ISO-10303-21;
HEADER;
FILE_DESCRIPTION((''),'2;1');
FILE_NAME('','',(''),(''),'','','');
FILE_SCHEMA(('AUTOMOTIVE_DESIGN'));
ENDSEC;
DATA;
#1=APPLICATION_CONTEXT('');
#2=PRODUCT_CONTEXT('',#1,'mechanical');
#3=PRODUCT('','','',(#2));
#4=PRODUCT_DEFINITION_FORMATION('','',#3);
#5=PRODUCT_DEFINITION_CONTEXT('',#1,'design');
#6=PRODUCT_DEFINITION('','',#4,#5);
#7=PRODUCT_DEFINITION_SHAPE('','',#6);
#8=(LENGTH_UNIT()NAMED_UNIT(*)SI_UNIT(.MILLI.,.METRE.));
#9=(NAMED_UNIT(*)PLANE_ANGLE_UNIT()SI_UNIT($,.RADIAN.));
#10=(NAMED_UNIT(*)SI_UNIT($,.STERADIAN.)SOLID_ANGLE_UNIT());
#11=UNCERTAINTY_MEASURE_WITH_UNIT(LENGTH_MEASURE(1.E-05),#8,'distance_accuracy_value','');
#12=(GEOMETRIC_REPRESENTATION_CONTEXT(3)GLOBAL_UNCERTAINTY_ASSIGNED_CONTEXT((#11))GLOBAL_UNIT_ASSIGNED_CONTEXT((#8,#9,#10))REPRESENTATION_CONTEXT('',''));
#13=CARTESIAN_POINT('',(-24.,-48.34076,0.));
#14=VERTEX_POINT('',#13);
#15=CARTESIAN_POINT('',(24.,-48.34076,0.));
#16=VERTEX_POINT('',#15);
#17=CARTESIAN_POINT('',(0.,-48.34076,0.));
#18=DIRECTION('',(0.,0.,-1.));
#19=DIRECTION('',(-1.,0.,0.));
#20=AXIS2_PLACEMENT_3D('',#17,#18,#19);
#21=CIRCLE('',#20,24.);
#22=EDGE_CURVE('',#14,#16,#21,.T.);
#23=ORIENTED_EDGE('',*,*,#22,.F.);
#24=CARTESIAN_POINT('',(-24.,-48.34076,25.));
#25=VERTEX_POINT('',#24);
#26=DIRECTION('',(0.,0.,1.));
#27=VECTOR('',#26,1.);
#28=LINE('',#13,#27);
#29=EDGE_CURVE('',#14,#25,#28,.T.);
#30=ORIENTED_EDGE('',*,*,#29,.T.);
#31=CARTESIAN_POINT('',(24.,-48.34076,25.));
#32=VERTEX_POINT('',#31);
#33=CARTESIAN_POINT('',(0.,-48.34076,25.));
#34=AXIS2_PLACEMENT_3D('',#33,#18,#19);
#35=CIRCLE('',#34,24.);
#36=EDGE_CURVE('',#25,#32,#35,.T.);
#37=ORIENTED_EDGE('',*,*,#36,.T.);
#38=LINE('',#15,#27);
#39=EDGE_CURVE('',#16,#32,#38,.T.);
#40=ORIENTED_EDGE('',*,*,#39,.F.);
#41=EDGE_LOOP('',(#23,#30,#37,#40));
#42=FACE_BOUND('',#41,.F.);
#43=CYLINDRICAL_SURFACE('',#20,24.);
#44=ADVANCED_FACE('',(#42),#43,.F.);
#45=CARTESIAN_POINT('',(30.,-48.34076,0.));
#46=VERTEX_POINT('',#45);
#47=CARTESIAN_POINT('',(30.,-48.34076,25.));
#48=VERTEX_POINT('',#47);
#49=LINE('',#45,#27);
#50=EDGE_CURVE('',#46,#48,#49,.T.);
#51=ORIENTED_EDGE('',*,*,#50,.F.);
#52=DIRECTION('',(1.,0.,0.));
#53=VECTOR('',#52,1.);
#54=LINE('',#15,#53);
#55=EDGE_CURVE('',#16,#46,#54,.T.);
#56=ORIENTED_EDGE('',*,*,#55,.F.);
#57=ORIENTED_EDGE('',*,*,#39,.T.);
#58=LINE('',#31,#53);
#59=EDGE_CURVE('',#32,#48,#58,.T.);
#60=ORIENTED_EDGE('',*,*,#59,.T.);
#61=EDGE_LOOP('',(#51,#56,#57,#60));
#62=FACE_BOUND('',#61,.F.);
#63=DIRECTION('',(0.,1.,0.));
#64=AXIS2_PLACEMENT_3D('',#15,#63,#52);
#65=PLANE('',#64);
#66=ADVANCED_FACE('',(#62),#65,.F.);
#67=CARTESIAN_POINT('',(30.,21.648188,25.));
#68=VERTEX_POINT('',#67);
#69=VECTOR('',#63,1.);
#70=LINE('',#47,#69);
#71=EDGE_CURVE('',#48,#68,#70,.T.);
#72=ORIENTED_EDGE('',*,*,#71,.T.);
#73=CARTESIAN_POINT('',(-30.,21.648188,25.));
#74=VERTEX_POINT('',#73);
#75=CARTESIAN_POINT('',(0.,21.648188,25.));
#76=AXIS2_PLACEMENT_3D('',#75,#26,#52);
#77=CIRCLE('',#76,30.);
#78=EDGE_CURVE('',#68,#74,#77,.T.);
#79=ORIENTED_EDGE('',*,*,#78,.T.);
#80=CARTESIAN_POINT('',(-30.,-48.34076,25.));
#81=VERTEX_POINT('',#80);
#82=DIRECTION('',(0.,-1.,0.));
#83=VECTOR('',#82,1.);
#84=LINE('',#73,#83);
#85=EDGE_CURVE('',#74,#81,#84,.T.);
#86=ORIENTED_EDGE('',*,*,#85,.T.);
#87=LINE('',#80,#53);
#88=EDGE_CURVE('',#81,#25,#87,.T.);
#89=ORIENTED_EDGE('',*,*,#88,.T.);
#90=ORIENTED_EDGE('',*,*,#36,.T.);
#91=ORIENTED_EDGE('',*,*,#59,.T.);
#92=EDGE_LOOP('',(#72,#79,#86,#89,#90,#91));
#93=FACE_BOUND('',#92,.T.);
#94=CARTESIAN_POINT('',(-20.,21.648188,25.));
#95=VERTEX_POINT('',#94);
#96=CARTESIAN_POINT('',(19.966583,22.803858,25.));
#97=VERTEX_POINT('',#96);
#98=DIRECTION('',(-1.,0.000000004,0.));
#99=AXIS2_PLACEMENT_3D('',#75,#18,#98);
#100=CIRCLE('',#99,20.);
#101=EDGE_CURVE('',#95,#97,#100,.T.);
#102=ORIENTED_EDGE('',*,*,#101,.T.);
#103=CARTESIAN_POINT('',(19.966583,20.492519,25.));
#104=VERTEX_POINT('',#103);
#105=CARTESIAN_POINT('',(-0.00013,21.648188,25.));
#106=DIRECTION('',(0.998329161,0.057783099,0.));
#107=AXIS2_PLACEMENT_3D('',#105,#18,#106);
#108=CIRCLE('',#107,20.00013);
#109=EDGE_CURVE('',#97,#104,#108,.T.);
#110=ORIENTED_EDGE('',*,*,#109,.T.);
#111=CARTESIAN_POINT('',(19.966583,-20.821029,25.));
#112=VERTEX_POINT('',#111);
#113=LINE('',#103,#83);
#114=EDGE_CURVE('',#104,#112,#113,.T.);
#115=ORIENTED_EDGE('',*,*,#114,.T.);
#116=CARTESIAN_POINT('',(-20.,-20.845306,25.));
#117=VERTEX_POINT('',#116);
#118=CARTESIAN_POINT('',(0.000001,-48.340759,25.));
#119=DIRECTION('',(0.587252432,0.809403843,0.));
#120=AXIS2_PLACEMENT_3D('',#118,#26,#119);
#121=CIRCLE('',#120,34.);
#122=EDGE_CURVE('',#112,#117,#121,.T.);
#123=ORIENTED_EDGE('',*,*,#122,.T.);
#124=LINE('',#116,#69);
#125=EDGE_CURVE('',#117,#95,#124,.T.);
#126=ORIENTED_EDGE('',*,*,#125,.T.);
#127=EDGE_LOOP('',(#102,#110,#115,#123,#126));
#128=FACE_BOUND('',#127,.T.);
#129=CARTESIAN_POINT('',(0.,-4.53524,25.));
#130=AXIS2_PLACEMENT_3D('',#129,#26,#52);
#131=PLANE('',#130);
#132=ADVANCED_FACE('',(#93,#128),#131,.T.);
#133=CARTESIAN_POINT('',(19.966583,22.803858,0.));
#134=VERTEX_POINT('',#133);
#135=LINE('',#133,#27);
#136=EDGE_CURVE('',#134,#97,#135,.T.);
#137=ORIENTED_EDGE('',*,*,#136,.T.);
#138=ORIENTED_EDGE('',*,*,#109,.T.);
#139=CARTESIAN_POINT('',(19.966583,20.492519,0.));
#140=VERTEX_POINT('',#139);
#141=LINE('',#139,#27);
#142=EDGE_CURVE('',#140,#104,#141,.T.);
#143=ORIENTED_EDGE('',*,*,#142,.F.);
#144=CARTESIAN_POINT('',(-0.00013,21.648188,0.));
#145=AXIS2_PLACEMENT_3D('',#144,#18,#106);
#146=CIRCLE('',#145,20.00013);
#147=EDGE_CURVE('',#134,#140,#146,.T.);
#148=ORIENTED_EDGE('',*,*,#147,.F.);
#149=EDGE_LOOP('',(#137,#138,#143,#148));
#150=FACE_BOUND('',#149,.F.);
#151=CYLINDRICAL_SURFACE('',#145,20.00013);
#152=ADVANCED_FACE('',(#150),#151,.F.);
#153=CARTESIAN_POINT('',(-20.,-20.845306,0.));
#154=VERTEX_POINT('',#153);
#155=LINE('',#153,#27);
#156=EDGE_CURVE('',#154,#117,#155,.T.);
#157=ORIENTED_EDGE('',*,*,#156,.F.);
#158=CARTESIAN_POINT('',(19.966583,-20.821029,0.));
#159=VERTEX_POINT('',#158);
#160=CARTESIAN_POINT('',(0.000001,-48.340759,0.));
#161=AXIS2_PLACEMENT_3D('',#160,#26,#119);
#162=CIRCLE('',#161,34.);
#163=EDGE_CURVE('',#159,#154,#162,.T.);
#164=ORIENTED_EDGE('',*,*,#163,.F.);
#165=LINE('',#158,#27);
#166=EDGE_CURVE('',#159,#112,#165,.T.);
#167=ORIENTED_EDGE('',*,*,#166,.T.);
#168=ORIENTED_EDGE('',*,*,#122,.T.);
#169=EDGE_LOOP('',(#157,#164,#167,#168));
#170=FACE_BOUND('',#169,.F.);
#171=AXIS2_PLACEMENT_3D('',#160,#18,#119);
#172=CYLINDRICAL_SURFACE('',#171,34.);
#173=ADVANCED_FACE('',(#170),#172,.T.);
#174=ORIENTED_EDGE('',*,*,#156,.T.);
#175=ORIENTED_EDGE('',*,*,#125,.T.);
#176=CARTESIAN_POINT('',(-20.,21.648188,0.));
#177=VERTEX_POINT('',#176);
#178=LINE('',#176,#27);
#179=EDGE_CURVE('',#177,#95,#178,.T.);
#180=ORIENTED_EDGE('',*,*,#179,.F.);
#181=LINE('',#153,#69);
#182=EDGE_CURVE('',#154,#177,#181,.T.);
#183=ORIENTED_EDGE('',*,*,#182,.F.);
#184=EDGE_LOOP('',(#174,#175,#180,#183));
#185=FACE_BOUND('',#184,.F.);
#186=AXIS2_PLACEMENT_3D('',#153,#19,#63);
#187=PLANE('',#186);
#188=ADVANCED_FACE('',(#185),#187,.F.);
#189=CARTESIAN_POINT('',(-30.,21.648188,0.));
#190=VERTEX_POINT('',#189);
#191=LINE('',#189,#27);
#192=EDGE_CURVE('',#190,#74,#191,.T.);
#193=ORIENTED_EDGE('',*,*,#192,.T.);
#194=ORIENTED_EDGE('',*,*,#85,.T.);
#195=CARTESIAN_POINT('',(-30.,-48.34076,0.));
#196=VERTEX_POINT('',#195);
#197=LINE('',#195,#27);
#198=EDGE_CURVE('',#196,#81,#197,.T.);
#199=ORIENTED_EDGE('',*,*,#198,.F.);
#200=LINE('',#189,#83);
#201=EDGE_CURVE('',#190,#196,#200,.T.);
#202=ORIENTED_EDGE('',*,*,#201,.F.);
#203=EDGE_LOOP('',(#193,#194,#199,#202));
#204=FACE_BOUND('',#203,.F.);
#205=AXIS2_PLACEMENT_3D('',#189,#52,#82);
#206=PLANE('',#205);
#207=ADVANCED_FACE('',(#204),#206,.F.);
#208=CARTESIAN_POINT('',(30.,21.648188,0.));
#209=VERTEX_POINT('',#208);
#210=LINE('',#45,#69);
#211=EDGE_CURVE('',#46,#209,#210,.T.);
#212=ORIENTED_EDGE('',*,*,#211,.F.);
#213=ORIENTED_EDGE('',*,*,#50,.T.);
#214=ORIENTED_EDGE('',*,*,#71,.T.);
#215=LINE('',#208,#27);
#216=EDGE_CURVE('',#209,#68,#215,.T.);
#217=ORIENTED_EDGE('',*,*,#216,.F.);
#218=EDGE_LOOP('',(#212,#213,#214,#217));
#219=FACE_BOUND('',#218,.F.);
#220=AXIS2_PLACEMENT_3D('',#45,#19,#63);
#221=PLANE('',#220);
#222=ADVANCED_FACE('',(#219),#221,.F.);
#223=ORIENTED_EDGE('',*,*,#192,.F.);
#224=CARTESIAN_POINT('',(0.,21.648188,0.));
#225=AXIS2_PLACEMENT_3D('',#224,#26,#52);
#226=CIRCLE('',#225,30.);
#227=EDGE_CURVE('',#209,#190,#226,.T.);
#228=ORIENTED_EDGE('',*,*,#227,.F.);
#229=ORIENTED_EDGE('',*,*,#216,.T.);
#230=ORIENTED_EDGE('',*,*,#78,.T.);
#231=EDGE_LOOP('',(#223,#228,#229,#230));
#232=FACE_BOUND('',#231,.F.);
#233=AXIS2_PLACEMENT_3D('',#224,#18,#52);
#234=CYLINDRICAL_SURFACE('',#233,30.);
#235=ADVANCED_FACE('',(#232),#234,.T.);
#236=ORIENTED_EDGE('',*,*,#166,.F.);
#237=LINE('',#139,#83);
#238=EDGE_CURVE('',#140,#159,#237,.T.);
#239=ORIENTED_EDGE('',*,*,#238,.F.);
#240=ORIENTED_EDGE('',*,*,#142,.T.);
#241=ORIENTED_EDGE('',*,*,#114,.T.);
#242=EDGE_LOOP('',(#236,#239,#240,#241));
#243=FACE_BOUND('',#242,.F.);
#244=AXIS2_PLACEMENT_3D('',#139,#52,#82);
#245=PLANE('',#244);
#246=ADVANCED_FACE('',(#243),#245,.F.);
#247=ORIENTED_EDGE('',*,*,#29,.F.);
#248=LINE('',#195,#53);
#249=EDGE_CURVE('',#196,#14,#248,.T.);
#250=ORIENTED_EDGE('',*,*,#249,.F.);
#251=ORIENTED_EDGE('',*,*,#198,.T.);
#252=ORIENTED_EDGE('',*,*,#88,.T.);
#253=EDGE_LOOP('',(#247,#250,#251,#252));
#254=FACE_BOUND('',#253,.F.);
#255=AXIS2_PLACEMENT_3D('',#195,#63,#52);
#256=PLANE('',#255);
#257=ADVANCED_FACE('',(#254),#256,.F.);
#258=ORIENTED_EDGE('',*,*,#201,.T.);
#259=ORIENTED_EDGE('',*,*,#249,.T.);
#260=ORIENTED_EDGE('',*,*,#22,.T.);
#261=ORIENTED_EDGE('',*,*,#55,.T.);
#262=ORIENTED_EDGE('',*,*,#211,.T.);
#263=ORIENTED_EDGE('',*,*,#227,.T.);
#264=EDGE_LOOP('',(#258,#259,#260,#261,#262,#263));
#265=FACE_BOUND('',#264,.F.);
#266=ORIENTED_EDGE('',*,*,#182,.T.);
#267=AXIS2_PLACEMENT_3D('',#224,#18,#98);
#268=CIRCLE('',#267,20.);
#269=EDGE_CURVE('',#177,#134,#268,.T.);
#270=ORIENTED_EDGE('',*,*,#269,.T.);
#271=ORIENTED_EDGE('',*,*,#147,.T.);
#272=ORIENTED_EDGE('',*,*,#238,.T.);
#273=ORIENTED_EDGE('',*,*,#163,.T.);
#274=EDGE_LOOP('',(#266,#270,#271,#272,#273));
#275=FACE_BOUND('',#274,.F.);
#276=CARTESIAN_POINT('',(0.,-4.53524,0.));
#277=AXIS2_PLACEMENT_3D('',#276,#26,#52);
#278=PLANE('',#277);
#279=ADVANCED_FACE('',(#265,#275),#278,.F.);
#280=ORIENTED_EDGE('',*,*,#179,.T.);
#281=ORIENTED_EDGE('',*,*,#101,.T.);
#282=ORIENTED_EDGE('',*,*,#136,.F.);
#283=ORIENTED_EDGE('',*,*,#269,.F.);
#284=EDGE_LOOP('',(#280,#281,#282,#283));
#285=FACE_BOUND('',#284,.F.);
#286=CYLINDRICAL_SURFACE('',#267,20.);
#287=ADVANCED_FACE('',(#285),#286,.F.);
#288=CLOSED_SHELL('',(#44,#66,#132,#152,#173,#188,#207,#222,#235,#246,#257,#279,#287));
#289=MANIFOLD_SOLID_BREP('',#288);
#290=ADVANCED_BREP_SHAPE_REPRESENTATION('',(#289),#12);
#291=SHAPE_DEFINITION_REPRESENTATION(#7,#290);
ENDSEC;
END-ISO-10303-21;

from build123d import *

# Parameters (mm, degrees)
F1_DEPTH = 25


with BuildPart() as f1:
    # F0 (on Top) → F1 (new body)
    with BuildSketch(Plane.XY):
        with BuildLine():
            Line((30, -48.34076), (30, 21.648188))
            ThreePointArc((30, 21.648188), (0, 51.648188), (-30, 21.648188))
            Line((-30, 21.648188), (-30, -48.34076))
            Line((-30, -48.34076), (-24, -48.34076))
            ThreePointArc((-24, -48.34076), (0, -24.34076), (24, -48.34076))
            Line((24, -48.34076), (30, -48.34076))
        make_face()
        with BuildLine():
            ThreePointArc((19.966583, 22.803858), (20, 21.648188), (19.966583, 20.492519))
            Line((19.966583, 20.492519), (19.966583, -20.821029))
            ThreePointArc((19.966583, -20.821029), (-0.020652, -14.340766), (-20, -20.845306))
            Line((-20, -20.845306), (-20, 21.648188))
            ThreePointArc((-20, 21.648188), (-0.578076, 41.639832), (19.966583, 22.803858))
        make_face(mode=Mode.SUBTRACT)
    extrude(amount=F1_DEPTH)


solid = f1.part
